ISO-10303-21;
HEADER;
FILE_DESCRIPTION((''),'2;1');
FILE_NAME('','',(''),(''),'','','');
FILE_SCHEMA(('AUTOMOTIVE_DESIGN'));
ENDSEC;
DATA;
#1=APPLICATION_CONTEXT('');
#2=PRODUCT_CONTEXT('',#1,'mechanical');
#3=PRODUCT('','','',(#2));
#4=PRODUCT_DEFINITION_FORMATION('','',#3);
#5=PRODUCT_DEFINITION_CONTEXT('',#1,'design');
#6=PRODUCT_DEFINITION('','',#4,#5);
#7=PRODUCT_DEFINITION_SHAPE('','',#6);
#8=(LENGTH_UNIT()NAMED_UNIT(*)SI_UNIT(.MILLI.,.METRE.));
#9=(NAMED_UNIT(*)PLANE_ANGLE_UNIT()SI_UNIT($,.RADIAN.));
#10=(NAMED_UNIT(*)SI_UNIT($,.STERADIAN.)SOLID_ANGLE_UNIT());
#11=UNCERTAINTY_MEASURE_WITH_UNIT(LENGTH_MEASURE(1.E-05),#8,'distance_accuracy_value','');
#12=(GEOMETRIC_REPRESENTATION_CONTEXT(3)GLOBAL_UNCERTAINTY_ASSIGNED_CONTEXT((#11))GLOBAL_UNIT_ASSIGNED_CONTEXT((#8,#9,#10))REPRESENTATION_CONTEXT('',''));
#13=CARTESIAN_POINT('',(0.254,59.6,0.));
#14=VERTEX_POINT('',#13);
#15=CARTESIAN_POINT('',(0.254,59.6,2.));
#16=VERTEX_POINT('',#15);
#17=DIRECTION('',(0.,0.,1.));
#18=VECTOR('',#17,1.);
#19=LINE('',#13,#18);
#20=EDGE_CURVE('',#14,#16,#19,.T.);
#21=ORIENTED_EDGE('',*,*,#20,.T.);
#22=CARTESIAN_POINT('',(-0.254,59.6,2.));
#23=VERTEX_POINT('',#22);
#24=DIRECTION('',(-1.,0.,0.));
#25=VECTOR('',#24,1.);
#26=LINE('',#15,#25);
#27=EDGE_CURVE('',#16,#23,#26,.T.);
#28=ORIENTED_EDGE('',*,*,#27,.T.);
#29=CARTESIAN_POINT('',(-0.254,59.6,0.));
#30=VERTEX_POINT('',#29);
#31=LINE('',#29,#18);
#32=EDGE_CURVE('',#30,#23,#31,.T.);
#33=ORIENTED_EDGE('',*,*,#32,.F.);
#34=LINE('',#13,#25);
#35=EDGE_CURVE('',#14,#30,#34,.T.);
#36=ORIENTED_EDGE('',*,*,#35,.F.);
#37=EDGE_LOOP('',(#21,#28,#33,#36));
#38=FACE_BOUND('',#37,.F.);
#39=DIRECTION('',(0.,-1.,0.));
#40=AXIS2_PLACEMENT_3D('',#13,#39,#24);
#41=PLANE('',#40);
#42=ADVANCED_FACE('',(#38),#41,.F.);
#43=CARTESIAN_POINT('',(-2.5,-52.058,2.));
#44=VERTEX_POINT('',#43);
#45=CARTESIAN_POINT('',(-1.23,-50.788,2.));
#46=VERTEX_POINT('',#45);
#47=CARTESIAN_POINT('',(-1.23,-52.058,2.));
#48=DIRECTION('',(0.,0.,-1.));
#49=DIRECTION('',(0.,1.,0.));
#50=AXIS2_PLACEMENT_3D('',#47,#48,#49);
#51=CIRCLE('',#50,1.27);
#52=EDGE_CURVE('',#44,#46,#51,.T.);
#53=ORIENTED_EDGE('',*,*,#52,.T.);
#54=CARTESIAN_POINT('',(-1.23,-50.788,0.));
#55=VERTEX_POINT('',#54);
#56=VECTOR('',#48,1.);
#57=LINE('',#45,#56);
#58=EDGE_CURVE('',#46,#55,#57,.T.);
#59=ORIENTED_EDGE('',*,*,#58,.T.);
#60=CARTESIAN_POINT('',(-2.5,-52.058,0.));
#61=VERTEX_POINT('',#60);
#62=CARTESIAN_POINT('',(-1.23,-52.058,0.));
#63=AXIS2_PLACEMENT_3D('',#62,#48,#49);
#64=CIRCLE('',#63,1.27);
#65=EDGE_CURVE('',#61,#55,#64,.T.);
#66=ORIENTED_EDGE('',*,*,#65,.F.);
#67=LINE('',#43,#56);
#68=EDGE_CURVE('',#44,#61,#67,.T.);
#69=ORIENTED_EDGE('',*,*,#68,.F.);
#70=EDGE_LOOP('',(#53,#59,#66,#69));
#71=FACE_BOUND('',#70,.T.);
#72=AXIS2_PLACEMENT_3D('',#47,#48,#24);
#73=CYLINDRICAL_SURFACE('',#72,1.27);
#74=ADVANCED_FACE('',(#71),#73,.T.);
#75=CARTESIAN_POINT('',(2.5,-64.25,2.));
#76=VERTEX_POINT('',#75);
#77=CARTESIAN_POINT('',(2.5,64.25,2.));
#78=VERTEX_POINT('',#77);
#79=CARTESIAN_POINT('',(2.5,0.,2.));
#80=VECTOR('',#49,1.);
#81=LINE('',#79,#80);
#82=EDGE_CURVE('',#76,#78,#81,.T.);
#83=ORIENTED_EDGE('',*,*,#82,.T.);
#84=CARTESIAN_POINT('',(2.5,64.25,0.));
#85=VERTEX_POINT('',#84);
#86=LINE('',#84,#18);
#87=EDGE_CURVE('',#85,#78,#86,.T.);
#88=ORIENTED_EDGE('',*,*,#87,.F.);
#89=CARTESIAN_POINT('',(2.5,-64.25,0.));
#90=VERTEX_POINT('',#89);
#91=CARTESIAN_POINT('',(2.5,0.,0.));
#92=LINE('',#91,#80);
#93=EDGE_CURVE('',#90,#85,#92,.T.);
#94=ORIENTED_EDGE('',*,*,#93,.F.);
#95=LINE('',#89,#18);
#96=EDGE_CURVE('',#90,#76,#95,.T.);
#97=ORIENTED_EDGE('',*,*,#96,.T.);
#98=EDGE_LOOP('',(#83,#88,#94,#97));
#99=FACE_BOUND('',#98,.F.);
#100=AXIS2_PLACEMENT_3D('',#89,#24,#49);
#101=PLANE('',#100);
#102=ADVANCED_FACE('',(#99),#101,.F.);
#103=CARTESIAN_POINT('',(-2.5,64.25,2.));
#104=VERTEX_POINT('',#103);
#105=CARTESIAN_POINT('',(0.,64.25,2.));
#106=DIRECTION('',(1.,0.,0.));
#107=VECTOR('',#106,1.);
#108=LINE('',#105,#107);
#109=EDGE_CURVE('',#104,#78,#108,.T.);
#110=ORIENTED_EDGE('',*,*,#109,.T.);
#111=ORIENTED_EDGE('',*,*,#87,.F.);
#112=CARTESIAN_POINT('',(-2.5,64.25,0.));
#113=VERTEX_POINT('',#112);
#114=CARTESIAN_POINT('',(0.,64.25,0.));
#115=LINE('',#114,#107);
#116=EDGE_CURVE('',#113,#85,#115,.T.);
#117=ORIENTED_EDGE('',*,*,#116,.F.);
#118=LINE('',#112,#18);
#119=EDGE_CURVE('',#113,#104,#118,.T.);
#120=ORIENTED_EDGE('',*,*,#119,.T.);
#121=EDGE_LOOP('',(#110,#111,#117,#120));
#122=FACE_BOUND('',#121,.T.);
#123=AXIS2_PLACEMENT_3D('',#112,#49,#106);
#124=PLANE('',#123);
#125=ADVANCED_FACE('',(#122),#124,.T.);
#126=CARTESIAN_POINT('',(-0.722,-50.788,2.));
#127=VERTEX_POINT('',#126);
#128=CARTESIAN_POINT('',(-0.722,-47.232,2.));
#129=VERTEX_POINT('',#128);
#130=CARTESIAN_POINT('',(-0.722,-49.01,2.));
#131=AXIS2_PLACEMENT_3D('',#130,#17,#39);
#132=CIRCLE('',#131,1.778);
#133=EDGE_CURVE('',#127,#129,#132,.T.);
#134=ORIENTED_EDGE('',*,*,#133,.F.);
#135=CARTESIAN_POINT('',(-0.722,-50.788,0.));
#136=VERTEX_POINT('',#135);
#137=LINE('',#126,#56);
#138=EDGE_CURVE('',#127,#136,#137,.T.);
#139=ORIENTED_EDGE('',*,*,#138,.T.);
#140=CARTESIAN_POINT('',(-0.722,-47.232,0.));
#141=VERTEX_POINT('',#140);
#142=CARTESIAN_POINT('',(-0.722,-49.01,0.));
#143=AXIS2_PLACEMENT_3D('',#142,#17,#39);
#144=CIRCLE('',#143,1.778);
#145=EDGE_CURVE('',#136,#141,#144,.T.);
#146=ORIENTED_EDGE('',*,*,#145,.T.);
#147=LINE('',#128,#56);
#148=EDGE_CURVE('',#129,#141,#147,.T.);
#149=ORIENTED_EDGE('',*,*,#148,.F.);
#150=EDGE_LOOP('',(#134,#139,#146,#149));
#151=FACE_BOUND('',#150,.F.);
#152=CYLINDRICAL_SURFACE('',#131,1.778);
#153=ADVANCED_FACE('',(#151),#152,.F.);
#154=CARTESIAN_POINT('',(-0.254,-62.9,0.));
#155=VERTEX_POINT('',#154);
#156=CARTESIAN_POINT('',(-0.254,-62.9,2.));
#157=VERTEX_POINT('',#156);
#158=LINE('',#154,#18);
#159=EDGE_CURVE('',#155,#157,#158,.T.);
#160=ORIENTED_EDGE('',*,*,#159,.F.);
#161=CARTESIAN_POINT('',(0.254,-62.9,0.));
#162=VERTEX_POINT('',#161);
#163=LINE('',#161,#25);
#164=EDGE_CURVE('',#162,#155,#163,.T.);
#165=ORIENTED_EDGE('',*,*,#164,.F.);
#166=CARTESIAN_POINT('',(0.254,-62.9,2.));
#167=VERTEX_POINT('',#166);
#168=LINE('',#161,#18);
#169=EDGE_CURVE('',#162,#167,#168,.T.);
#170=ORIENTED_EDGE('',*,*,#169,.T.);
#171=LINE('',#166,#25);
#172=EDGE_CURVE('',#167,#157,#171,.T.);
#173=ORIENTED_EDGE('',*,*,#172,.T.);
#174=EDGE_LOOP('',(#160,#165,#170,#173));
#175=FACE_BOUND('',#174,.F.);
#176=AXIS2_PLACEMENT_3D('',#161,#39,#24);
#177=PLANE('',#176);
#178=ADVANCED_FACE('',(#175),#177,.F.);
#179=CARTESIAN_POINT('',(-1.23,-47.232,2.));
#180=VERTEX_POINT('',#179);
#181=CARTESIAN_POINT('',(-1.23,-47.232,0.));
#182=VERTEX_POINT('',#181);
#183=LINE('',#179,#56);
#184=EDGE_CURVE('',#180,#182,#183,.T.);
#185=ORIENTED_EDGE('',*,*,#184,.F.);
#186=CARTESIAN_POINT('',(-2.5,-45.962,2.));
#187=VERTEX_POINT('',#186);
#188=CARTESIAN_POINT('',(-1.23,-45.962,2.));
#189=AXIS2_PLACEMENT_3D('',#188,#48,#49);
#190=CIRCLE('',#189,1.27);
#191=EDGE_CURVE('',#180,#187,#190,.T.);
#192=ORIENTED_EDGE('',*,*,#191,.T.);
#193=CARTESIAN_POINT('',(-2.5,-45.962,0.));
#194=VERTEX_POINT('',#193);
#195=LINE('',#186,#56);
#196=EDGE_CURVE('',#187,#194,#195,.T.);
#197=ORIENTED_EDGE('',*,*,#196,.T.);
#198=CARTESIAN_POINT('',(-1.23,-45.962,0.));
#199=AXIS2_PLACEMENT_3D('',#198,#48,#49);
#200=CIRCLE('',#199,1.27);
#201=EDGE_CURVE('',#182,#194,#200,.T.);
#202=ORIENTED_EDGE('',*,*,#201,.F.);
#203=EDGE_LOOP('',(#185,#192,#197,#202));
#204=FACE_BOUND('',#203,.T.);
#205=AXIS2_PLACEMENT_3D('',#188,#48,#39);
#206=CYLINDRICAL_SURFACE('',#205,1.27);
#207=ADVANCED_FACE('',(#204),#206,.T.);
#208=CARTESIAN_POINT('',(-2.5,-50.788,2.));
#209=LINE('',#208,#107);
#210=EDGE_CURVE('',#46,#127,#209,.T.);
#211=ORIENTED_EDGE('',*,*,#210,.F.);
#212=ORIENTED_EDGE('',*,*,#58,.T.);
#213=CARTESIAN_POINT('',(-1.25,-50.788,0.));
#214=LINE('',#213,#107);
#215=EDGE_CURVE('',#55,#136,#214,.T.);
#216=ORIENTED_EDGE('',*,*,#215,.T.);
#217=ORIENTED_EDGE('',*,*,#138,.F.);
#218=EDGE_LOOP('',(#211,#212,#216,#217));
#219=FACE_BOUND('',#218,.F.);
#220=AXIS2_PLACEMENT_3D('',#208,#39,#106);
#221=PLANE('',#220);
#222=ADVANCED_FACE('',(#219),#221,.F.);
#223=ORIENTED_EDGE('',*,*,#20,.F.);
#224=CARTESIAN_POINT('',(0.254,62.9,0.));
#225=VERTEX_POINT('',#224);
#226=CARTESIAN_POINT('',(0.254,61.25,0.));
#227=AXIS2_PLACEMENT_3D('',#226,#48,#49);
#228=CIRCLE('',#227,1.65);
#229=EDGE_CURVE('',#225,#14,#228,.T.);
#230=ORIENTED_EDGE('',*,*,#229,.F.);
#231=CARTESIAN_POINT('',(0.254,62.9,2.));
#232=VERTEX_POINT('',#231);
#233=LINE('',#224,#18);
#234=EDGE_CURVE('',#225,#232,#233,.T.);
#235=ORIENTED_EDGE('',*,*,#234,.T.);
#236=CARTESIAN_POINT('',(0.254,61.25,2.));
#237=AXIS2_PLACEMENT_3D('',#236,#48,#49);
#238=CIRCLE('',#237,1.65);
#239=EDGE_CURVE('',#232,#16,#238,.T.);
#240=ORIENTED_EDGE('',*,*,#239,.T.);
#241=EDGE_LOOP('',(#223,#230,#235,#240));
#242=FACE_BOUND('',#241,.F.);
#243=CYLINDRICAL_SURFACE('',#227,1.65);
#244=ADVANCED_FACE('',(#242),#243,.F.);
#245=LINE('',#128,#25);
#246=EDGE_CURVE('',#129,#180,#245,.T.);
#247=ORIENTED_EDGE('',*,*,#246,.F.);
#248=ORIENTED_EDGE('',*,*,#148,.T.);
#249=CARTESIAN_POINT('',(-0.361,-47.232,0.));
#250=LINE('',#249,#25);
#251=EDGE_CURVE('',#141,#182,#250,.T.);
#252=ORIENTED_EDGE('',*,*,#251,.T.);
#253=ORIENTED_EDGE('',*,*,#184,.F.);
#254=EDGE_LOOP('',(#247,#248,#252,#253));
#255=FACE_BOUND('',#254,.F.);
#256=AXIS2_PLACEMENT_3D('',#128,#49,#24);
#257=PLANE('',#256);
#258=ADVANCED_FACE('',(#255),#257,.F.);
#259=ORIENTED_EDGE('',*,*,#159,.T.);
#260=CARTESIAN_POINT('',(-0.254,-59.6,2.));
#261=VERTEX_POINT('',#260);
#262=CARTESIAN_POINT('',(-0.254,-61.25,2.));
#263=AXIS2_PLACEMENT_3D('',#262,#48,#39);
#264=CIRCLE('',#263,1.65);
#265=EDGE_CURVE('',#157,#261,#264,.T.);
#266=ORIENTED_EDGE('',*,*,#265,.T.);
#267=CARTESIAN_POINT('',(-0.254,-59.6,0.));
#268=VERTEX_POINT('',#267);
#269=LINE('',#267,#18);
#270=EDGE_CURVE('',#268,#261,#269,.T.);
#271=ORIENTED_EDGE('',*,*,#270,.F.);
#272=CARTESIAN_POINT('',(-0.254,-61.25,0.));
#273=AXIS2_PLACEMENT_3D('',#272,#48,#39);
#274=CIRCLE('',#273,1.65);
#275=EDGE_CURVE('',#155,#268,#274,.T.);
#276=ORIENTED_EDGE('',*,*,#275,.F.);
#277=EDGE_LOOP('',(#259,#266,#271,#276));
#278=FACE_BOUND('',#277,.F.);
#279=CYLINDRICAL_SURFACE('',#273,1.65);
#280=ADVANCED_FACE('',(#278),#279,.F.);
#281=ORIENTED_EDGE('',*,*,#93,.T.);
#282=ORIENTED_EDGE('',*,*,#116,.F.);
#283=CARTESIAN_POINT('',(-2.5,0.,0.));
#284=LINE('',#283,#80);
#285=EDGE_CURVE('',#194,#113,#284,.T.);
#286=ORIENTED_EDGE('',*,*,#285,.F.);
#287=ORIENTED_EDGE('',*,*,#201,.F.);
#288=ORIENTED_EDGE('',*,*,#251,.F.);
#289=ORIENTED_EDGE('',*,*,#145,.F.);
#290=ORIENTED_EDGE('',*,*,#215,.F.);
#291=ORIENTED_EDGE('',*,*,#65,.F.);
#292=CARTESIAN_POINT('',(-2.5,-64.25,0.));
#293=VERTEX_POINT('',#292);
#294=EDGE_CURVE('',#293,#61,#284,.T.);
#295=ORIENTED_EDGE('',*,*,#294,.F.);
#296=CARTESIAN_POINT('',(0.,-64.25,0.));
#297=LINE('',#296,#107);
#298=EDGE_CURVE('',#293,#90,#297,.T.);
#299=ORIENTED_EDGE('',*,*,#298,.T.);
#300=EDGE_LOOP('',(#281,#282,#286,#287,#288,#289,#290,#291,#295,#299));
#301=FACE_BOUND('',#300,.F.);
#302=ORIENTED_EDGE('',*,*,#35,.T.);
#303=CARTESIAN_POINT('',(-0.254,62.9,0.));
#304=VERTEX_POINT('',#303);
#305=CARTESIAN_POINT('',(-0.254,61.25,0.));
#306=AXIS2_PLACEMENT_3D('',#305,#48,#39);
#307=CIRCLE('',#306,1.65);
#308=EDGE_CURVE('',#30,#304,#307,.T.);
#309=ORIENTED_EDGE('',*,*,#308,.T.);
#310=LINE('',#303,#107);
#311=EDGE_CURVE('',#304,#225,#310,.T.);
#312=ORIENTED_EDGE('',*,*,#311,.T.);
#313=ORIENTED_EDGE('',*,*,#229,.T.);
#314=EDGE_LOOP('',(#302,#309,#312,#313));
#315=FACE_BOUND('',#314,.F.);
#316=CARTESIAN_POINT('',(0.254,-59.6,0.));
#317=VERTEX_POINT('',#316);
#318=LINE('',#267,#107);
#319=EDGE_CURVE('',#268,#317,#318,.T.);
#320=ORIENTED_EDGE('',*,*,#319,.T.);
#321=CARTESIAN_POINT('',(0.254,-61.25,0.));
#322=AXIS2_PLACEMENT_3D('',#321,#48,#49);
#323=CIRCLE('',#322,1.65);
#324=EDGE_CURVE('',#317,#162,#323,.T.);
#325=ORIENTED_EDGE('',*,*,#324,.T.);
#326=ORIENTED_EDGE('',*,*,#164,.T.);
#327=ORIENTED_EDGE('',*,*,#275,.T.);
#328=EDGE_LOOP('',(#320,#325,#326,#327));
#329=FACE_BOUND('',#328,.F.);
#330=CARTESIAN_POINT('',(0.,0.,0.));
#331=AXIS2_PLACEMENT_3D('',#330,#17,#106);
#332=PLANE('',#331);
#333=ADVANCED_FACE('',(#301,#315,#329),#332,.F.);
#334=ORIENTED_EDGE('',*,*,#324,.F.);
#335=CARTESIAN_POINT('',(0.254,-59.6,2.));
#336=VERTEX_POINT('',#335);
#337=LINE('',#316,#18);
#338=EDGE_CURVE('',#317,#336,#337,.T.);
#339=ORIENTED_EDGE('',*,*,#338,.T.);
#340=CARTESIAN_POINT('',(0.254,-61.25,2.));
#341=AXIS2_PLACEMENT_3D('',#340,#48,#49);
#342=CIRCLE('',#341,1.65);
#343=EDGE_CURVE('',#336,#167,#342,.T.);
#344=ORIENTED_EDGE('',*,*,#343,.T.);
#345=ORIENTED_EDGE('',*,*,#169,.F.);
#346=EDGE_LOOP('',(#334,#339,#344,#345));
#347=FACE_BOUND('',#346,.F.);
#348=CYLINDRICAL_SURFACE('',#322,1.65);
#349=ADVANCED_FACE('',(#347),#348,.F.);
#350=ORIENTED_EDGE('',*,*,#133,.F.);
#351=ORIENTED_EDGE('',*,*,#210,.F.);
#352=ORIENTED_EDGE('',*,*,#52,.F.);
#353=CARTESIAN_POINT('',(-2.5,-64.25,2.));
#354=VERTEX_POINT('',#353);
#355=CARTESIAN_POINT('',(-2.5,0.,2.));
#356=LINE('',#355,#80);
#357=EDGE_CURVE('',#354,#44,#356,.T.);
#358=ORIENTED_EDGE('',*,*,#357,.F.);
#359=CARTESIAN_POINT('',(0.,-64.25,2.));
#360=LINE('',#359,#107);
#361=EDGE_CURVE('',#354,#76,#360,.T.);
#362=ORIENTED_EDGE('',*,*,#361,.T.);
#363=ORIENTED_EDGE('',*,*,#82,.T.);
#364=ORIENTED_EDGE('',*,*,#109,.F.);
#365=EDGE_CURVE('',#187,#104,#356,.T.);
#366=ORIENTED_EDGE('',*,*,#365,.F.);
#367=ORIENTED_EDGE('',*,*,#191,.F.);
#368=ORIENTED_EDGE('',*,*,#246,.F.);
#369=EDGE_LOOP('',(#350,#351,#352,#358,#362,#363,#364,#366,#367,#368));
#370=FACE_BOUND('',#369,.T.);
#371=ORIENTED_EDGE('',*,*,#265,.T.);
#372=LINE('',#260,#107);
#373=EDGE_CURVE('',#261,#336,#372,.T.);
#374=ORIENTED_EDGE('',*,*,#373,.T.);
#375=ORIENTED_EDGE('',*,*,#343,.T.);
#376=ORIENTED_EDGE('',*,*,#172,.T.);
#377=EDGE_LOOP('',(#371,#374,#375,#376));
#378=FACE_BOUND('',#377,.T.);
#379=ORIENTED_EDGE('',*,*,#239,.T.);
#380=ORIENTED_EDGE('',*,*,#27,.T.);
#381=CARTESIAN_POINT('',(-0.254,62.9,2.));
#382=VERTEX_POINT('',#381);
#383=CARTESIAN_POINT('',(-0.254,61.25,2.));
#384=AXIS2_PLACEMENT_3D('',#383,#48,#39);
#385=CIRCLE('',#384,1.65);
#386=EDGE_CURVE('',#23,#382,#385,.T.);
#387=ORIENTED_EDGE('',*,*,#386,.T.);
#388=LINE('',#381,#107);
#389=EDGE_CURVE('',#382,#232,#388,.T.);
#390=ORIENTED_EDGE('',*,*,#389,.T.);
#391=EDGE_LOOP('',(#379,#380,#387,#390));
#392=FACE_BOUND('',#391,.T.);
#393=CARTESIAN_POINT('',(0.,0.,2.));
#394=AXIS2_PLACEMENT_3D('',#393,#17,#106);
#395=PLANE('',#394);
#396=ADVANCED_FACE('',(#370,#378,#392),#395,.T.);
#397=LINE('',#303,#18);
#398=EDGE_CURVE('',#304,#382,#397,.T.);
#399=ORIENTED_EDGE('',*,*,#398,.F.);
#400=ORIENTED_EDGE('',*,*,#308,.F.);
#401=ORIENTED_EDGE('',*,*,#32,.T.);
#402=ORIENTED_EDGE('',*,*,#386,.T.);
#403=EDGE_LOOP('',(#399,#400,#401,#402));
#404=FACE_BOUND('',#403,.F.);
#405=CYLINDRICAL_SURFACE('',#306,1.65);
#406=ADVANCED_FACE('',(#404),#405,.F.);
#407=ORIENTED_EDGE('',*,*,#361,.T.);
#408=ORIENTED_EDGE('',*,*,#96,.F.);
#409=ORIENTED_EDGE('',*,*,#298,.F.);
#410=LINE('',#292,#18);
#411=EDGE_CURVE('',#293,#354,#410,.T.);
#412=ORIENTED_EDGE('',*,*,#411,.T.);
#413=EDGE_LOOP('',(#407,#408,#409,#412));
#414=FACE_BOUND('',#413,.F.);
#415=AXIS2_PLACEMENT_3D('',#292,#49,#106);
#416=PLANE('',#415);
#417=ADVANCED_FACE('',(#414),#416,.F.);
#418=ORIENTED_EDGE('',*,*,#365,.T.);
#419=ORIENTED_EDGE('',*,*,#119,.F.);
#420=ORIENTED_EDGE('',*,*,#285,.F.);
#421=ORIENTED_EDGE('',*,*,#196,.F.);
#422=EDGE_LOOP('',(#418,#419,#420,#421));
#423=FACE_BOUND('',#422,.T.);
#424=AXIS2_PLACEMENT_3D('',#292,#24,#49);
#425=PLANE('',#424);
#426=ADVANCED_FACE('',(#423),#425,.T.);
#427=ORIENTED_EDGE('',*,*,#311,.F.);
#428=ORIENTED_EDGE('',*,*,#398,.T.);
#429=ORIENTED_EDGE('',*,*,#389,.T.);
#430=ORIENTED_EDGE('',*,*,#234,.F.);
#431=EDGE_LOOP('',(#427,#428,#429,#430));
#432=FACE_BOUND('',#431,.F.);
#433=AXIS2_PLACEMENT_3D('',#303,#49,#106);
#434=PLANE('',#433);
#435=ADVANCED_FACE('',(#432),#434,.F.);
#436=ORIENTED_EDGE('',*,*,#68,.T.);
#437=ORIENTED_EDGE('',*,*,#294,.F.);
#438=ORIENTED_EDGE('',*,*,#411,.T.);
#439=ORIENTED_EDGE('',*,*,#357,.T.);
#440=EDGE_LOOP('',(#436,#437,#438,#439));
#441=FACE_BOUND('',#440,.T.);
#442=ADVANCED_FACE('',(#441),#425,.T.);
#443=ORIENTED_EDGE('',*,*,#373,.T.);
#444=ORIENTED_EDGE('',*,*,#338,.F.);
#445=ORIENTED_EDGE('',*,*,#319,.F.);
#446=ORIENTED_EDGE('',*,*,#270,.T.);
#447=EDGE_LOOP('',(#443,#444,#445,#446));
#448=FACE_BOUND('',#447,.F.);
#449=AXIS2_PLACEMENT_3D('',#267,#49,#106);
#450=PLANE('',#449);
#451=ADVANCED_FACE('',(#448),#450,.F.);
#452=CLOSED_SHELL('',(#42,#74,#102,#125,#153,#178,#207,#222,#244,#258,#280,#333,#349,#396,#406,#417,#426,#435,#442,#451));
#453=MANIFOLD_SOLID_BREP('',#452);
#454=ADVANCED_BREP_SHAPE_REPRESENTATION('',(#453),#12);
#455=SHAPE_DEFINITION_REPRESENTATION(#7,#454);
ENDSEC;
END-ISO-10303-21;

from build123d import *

# Parameters (mm, degrees)
SKETCH1_W           = 5
SKETCH1_H           = 128.5
BOSS_EXTRUDE1_DEPTH = 2
CUT_EXTRUDE1_DEPTH  = 2.54
FILLET1_R           = 1.27


with BuildPart() as part:
    # Sketch1 → Boss-Extrude1 (new body)
    with BuildSketch(Plane.XY):
        Rectangle(SKETCH1_W, SKETCH1_H)
        with BuildLine():
            Line((-0.254, -59.6), (0.254, -59.6))
            ThreePointArc((0.254, -59.6), (1.904, -61.25), (0.254, -62.9))
            Line((0.254, -62.9), (-0.254, -62.9))
            ThreePointArc((-0.254, -62.9), (-1.904, -61.25), (-0.254, -59.6))
        make_face(mode=Mode.SUBTRACT)
        with BuildLine():
            Line((-0.254, 62.9), (0.254, 62.9))
            ThreePointArc((0.254, 62.9), (1.904, 61.25), (0.254, 59.6))
            Line((0.254, 59.6), (-0.254, 59.6))
            ThreePointArc((-0.254, 59.6), (-1.904, 61.25), (-0.254, 62.9))
        make_face(mode=Mode.SUBTRACT)
    extrude(amount=BOSS_EXTRUDE1_DEPTH)

    # Sketch2 → Cut-Extrude1 (cut)
    with BuildSketch(Plane.XY.offset(2)):
        with BuildLine():
            Line((-0.722, -47.232), (-2.5, -47.232))
            Line((-2.5, -47.232), (-2.5, -50.788))
            Line((-2.5, -50.788), (-0.722, -50.788))
            ThreePointArc((-0.722, -50.788), (1.056, -49.01), (-0.722, -47.232))
        make_face()
    extrude(amount=-CUT_EXTRUDE1_DEPTH, mode=Mode.SUBTRACT)

    # Fillet1
    fillet1_edges = [part.edges().sort_by_distance(p)[0] for p in [
        (-2.5, -47.232, 1),
        (-2.5, -50.788, 1),
    ]]
    fillet(fillet1_edges, radius=FILLET1_R)


solid = part.part
